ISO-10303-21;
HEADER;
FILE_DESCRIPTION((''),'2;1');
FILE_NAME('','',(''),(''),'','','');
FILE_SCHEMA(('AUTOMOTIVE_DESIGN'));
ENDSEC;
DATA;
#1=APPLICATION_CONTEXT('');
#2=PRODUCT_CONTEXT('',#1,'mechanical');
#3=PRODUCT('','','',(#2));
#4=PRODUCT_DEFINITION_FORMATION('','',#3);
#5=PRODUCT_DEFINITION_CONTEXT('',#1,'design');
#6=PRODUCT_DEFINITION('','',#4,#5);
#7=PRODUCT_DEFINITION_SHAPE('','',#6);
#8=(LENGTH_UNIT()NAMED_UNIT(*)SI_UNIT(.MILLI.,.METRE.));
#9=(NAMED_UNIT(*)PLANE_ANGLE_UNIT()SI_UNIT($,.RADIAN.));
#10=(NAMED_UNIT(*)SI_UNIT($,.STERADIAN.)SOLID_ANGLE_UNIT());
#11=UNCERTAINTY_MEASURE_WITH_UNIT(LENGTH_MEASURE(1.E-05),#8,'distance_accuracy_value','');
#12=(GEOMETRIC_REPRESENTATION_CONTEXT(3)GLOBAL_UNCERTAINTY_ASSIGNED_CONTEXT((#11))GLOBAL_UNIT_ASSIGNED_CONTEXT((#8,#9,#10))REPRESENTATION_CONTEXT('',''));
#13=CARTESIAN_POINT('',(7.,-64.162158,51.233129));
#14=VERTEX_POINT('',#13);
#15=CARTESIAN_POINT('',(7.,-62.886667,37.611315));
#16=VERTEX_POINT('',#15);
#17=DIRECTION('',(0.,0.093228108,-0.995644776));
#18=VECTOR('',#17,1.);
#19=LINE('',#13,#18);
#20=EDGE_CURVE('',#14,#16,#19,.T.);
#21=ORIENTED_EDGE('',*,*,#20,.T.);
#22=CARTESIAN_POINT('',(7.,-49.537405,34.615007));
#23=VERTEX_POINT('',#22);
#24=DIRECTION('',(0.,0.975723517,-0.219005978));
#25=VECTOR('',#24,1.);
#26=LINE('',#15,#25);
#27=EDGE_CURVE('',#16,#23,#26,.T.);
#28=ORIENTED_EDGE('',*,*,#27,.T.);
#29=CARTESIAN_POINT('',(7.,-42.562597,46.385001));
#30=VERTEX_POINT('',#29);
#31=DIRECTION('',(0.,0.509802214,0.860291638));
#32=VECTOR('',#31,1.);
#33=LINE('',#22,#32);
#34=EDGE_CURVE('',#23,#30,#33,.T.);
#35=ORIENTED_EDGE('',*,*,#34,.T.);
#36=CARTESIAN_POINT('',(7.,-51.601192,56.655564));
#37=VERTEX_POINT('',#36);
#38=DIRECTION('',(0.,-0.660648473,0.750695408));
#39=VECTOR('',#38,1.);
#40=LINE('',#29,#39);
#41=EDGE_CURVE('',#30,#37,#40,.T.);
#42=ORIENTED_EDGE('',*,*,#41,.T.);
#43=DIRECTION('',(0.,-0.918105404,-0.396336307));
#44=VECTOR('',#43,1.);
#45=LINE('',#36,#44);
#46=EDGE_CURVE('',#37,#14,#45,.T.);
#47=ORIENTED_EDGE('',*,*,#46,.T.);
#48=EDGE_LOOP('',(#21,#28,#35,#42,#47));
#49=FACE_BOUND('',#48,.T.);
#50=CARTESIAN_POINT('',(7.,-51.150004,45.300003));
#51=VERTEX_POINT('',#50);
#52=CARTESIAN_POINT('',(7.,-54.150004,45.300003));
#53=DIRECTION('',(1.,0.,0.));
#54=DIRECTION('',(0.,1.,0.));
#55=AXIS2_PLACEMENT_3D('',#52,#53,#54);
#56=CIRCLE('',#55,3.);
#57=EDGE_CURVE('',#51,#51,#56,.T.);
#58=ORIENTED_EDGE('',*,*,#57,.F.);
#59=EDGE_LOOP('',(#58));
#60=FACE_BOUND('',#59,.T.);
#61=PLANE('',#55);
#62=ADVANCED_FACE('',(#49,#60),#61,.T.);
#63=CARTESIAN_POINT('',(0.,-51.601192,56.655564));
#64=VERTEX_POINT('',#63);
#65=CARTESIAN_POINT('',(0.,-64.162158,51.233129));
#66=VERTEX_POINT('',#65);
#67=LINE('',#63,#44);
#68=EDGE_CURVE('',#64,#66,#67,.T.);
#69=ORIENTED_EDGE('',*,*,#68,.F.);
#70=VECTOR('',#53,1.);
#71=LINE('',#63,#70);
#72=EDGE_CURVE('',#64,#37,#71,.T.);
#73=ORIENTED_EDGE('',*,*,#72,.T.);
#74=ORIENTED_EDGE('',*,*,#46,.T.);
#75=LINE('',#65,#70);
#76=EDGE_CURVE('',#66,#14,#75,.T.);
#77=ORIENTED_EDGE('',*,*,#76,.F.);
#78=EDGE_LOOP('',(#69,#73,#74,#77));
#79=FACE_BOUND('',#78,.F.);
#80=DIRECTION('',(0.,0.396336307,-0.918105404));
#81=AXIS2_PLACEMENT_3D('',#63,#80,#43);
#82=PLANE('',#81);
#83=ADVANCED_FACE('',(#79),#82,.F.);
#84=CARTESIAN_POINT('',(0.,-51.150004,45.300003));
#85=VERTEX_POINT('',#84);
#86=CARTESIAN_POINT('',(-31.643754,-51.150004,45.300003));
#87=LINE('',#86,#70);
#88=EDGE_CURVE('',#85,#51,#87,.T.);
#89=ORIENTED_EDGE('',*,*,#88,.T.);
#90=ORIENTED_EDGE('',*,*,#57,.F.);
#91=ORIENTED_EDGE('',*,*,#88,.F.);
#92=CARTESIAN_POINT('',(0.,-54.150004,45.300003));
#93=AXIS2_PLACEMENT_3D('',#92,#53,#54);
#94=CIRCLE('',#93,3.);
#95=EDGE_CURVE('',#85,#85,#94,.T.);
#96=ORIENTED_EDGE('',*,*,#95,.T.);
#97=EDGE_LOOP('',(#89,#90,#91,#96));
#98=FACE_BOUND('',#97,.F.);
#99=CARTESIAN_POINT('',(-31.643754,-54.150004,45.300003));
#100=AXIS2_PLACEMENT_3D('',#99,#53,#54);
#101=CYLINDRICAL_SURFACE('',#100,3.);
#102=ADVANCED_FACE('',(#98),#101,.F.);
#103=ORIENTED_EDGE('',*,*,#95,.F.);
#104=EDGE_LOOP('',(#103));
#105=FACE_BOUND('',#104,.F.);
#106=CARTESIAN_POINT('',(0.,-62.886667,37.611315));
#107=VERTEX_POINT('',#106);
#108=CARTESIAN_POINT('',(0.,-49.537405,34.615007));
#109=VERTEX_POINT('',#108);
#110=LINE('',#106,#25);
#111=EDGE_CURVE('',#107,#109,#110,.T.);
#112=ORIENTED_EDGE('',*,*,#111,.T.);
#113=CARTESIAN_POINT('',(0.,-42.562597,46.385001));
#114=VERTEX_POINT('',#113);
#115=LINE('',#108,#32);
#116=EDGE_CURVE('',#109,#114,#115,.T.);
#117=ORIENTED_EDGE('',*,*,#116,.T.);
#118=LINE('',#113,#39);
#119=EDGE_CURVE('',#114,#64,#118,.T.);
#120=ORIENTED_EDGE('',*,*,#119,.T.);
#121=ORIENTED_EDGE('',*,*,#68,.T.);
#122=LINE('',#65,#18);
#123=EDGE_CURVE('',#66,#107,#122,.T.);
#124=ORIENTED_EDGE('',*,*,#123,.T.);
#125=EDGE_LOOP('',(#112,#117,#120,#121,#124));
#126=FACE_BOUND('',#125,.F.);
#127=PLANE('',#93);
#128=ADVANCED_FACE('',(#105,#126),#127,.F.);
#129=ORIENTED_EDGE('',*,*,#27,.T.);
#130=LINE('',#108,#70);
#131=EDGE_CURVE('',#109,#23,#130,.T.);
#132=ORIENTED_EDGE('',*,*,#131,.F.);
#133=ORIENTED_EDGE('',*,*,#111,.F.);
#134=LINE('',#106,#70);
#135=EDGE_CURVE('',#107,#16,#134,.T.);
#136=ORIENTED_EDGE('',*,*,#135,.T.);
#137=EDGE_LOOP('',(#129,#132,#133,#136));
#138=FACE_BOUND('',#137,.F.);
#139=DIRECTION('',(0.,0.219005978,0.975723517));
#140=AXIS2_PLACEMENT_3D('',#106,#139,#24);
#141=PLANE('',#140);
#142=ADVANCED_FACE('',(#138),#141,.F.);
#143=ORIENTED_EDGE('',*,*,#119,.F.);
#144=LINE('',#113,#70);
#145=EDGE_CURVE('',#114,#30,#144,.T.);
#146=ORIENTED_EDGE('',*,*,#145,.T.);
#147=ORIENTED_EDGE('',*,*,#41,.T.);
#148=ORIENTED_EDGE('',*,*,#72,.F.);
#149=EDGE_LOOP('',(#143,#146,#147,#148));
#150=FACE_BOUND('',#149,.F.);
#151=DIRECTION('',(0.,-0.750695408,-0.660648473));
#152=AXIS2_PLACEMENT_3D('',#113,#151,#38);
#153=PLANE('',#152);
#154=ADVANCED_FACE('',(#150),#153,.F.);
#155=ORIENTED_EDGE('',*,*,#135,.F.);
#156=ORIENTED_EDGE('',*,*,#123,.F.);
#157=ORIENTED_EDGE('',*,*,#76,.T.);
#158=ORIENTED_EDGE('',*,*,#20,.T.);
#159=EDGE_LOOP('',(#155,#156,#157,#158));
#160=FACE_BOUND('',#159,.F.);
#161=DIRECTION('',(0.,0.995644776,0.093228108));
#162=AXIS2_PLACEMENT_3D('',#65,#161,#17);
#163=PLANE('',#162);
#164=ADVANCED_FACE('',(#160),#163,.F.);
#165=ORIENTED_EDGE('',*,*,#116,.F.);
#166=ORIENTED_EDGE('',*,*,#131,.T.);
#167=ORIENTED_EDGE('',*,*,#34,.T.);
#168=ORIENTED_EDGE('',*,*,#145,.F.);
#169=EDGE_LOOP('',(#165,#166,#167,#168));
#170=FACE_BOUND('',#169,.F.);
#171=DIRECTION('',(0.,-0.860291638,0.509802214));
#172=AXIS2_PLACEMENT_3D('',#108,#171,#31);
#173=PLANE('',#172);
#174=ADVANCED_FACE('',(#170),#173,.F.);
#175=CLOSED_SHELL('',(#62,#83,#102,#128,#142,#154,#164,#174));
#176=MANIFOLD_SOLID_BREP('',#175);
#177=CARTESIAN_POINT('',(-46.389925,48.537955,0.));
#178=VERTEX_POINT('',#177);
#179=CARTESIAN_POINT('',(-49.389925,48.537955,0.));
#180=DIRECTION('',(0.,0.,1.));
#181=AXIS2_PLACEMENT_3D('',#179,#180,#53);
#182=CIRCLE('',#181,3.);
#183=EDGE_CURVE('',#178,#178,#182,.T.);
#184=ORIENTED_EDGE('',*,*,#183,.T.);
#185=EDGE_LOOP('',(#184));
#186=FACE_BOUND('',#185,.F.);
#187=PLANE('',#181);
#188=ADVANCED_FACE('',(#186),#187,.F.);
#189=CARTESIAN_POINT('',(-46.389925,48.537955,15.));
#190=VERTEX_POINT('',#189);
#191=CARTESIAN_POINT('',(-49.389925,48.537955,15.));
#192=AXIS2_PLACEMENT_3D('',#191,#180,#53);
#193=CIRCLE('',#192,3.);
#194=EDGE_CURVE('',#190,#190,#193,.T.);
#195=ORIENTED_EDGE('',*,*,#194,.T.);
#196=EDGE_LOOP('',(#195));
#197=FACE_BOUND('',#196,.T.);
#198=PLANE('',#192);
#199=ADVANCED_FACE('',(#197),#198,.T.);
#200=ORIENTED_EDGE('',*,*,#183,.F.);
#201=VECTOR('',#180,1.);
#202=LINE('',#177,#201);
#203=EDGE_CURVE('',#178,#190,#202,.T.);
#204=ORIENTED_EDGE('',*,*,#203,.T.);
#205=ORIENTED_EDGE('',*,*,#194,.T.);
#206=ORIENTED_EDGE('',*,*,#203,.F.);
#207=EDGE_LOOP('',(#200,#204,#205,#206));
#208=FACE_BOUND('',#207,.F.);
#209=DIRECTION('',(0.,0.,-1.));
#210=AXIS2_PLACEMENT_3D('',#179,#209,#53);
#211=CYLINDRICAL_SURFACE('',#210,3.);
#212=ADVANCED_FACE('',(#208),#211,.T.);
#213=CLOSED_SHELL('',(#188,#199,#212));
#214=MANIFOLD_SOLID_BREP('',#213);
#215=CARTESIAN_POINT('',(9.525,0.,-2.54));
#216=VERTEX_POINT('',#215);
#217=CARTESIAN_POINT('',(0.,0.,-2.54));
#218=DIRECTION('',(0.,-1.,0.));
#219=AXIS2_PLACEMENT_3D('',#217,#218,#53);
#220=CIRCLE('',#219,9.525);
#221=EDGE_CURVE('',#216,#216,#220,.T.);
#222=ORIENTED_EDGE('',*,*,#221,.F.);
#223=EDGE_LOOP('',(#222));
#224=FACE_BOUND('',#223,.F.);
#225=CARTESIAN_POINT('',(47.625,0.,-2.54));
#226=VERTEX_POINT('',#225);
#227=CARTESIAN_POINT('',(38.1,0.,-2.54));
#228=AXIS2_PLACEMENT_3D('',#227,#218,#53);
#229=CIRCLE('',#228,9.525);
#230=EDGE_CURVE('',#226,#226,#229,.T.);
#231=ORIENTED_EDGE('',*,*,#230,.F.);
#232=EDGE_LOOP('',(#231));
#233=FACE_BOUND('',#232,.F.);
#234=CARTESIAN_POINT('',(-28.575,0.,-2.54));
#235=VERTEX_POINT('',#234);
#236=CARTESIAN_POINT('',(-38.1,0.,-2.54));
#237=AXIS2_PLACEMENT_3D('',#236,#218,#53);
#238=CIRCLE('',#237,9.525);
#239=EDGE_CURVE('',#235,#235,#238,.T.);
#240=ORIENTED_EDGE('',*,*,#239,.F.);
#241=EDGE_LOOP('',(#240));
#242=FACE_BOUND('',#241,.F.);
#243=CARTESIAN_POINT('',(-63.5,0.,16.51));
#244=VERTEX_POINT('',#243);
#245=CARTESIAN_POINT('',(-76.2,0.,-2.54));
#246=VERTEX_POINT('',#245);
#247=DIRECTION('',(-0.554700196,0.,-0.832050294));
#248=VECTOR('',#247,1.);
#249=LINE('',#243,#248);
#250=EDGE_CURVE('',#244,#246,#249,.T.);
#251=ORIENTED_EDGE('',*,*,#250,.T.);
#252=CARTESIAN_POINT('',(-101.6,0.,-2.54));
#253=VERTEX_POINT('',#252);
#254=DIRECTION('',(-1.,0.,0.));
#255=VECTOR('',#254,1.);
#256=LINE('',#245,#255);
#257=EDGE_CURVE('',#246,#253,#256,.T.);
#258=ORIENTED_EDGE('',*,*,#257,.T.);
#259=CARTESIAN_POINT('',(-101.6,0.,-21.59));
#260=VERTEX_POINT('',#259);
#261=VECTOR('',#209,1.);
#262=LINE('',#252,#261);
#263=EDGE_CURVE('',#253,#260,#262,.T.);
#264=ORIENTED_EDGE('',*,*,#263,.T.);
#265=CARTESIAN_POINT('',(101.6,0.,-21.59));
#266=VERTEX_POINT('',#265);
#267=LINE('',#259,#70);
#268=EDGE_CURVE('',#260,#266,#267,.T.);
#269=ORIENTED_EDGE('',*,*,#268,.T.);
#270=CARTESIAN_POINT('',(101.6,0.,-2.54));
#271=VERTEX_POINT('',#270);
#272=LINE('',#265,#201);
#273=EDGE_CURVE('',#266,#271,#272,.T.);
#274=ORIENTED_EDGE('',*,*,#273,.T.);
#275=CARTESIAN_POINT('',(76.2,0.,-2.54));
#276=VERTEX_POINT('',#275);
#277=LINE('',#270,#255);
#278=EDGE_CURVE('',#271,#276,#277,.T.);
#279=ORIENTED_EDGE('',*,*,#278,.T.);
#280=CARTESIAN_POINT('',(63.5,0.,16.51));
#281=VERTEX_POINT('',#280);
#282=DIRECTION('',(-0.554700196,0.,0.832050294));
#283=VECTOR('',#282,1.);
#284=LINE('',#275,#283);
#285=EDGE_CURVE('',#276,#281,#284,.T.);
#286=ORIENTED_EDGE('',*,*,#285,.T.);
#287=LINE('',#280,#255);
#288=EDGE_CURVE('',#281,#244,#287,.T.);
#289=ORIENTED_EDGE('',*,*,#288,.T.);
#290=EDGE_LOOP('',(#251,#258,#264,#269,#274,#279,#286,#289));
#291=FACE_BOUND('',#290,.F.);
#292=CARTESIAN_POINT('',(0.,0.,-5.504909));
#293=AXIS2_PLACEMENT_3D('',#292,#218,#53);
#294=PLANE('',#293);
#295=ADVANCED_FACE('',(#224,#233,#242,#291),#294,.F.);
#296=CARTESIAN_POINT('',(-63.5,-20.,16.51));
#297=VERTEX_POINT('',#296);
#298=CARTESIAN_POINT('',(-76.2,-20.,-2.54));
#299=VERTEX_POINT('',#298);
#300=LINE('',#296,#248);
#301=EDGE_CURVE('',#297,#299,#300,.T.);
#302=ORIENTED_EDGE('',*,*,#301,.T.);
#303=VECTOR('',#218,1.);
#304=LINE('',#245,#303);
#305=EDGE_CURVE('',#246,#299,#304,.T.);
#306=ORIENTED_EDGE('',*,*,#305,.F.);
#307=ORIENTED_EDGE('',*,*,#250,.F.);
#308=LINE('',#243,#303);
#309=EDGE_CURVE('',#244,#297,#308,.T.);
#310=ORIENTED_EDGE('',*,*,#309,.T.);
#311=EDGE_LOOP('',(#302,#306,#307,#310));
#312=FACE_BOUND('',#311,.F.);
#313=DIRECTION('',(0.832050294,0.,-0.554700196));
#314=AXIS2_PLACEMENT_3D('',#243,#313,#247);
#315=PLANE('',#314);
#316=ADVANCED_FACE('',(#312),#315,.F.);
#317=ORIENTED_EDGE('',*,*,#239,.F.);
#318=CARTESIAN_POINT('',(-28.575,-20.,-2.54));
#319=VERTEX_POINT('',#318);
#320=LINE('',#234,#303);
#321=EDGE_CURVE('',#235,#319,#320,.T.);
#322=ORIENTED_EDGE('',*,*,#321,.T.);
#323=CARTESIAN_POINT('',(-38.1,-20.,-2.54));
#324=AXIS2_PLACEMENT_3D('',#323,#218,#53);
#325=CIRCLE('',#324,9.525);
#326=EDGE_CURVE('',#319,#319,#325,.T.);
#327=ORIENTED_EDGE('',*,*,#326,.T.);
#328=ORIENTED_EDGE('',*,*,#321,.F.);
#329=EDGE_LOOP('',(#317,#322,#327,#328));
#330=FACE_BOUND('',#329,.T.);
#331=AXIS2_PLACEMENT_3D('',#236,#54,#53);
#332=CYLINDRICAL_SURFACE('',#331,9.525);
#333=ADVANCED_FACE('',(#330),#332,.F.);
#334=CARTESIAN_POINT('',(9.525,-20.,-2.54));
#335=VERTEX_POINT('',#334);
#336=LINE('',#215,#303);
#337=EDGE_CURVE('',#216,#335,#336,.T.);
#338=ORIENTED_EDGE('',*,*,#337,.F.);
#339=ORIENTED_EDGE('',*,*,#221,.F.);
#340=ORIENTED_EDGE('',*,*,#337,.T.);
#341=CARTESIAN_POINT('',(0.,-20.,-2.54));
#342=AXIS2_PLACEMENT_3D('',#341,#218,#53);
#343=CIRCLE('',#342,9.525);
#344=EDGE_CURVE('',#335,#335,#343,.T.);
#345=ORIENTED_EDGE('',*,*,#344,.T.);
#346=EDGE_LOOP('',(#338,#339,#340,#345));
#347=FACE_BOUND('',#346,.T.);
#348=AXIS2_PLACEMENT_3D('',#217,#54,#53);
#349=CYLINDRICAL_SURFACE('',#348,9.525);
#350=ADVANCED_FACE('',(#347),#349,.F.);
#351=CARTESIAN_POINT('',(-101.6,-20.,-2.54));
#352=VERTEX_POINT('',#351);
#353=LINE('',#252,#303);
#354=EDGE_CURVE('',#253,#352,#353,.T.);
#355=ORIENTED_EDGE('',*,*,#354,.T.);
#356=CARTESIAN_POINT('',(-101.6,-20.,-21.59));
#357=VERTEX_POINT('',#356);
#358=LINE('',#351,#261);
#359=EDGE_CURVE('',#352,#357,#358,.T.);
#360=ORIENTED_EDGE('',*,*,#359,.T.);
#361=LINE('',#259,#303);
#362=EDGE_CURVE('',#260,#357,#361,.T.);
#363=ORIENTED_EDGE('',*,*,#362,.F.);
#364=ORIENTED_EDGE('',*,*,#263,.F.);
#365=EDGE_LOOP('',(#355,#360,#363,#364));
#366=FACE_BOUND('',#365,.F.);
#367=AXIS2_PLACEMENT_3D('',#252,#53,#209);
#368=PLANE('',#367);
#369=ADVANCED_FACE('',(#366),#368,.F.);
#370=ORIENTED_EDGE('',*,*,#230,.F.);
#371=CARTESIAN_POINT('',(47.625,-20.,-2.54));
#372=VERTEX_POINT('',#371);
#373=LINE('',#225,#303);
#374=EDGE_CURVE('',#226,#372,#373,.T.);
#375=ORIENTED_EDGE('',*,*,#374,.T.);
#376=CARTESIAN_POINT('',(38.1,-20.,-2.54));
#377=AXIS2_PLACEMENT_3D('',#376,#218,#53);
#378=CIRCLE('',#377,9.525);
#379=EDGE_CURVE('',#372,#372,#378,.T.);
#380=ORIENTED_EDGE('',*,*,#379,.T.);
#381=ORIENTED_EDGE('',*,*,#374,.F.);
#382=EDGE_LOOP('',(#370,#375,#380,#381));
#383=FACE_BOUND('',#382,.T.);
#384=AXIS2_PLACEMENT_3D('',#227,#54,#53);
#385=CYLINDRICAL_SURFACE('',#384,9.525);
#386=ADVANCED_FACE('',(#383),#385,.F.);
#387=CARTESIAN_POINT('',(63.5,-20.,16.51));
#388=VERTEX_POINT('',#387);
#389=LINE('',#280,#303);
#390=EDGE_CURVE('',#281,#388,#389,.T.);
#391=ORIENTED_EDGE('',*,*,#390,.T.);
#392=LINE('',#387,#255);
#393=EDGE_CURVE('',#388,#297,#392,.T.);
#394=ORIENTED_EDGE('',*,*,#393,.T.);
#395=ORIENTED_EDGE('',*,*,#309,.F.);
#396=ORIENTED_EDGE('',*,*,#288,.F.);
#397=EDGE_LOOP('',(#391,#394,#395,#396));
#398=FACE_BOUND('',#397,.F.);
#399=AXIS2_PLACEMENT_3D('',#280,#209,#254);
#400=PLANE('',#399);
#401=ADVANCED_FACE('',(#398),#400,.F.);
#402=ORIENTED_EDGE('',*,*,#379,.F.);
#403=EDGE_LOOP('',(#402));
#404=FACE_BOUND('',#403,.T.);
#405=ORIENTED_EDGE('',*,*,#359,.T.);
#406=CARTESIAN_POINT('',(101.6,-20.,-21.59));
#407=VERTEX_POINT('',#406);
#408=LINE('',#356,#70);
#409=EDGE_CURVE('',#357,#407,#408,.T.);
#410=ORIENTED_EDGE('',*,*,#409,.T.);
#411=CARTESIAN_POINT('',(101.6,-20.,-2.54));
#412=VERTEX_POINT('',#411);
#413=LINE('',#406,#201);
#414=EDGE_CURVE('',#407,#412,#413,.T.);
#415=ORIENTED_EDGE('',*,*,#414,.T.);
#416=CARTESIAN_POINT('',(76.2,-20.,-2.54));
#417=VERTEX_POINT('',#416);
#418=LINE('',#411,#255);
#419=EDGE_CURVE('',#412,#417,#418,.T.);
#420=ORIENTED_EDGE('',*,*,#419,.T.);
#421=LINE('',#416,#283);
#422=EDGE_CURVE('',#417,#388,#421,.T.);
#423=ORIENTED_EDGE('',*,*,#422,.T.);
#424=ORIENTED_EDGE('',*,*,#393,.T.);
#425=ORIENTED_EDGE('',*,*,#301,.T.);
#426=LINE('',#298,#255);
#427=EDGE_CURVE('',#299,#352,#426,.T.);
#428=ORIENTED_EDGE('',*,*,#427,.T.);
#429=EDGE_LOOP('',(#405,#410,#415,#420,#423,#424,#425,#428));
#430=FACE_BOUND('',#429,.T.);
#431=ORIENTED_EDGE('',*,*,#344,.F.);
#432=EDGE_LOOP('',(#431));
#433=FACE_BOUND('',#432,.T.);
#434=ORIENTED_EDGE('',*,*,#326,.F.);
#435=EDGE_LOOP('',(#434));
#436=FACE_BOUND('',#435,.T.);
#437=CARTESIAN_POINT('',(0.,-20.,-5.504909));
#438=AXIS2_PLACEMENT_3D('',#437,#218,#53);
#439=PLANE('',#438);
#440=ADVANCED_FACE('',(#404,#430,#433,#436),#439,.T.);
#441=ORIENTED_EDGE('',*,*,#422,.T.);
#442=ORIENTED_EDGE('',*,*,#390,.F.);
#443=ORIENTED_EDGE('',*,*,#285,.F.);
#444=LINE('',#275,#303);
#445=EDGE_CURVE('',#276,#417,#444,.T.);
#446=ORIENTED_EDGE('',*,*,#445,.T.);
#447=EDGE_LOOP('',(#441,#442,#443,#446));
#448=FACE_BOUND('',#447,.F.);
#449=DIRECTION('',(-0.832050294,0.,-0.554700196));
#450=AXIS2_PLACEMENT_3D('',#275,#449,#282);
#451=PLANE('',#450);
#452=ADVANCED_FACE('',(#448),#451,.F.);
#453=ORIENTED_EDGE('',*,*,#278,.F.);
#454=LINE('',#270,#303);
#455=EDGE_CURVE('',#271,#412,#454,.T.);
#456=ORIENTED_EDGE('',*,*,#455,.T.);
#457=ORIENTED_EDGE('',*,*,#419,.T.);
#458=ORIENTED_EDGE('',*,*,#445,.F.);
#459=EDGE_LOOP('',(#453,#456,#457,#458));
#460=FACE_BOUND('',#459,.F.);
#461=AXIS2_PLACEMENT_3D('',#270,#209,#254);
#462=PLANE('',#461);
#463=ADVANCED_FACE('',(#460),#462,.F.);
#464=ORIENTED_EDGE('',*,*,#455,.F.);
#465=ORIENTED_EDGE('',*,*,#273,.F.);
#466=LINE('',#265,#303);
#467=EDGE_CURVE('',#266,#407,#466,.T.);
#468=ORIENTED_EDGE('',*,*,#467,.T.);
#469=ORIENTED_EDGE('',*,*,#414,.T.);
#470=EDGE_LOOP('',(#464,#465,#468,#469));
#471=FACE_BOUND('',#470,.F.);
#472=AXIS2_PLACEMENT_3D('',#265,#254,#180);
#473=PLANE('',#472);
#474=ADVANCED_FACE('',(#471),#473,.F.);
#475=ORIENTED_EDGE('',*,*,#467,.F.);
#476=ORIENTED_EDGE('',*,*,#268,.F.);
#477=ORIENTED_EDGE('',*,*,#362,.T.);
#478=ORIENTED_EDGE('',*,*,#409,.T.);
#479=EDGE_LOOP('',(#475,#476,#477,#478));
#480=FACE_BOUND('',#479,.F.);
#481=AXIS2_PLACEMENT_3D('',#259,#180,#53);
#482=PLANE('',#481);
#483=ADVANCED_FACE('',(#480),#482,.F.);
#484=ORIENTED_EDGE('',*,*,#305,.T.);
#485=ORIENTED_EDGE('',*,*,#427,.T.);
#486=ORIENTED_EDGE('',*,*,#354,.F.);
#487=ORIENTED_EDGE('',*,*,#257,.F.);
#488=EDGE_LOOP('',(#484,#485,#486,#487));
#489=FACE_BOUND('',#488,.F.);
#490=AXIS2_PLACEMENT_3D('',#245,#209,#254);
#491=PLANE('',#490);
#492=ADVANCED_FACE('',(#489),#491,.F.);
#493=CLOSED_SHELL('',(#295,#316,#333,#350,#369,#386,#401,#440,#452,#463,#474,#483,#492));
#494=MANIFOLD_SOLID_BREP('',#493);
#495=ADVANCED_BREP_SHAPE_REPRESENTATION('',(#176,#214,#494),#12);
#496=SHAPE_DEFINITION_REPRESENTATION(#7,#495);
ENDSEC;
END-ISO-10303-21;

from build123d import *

# Parameters (mm, degrees)
F0_R     = 9.525
F1_DEPTH = 20
F2_R     = 3
F3_DEPTH = 15
F5_DEPTH = 7
F7_D     = 6


with BuildPart() as f1:
    # F0 (on Front) → F1 (new body)
    with BuildSketch(Plane.XZ):
        Polygon((63.5, 16.51), (-63.5, 16.51), (-76.2, -2.54), (-101.6, -2.54), (-101.6, -21.59), (101.6, -21.59), (101.6, -2.54), (76.2, -2.54), align=None)
        with Locations((-38.1, -2.54)):
            Circle(F0_R, mode=Mode.SUBTRACT)
        with Locations((0, -2.54)):
            Circle(F0_R, mode=Mode.SUBTRACT)
        with Locations((38.1, -2.54)):
            Circle(F0_R, mode=Mode.SUBTRACT)
    extrude(amount=F1_DEPTH)


with BuildPart() as f3:
    # F2 (on Top) → F3 (new body)
    with BuildSketch(Plane.XY):
        with Locations((-49.389925, 48.537955)):
            Circle(F2_R)
    extrude(amount=F3_DEPTH)


with BuildPart() as f5:
    # F4 (on Right) → F5 (new body)
    with BuildSketch(Plane.YZ):
        Polygon((-49.537405, 34.615007), (-42.562597, 46.385001), (-51.601192, 56.655564), (-64.162158, 51.233129), (-62.886667, 37.611315), align=None)
    extrude(amount=F5_DEPTH)

    # F7 (through all)
    with Locations(Plane(origin=(0, 0, 0), x_dir=(0, -1, 0), z_dir=(-1, 0, 0))):
        with Locations((54.150004, 45.300003)):
            Hole(F7_D / 2)


solid = Compound([f1.part, f3.part, f5.part])
